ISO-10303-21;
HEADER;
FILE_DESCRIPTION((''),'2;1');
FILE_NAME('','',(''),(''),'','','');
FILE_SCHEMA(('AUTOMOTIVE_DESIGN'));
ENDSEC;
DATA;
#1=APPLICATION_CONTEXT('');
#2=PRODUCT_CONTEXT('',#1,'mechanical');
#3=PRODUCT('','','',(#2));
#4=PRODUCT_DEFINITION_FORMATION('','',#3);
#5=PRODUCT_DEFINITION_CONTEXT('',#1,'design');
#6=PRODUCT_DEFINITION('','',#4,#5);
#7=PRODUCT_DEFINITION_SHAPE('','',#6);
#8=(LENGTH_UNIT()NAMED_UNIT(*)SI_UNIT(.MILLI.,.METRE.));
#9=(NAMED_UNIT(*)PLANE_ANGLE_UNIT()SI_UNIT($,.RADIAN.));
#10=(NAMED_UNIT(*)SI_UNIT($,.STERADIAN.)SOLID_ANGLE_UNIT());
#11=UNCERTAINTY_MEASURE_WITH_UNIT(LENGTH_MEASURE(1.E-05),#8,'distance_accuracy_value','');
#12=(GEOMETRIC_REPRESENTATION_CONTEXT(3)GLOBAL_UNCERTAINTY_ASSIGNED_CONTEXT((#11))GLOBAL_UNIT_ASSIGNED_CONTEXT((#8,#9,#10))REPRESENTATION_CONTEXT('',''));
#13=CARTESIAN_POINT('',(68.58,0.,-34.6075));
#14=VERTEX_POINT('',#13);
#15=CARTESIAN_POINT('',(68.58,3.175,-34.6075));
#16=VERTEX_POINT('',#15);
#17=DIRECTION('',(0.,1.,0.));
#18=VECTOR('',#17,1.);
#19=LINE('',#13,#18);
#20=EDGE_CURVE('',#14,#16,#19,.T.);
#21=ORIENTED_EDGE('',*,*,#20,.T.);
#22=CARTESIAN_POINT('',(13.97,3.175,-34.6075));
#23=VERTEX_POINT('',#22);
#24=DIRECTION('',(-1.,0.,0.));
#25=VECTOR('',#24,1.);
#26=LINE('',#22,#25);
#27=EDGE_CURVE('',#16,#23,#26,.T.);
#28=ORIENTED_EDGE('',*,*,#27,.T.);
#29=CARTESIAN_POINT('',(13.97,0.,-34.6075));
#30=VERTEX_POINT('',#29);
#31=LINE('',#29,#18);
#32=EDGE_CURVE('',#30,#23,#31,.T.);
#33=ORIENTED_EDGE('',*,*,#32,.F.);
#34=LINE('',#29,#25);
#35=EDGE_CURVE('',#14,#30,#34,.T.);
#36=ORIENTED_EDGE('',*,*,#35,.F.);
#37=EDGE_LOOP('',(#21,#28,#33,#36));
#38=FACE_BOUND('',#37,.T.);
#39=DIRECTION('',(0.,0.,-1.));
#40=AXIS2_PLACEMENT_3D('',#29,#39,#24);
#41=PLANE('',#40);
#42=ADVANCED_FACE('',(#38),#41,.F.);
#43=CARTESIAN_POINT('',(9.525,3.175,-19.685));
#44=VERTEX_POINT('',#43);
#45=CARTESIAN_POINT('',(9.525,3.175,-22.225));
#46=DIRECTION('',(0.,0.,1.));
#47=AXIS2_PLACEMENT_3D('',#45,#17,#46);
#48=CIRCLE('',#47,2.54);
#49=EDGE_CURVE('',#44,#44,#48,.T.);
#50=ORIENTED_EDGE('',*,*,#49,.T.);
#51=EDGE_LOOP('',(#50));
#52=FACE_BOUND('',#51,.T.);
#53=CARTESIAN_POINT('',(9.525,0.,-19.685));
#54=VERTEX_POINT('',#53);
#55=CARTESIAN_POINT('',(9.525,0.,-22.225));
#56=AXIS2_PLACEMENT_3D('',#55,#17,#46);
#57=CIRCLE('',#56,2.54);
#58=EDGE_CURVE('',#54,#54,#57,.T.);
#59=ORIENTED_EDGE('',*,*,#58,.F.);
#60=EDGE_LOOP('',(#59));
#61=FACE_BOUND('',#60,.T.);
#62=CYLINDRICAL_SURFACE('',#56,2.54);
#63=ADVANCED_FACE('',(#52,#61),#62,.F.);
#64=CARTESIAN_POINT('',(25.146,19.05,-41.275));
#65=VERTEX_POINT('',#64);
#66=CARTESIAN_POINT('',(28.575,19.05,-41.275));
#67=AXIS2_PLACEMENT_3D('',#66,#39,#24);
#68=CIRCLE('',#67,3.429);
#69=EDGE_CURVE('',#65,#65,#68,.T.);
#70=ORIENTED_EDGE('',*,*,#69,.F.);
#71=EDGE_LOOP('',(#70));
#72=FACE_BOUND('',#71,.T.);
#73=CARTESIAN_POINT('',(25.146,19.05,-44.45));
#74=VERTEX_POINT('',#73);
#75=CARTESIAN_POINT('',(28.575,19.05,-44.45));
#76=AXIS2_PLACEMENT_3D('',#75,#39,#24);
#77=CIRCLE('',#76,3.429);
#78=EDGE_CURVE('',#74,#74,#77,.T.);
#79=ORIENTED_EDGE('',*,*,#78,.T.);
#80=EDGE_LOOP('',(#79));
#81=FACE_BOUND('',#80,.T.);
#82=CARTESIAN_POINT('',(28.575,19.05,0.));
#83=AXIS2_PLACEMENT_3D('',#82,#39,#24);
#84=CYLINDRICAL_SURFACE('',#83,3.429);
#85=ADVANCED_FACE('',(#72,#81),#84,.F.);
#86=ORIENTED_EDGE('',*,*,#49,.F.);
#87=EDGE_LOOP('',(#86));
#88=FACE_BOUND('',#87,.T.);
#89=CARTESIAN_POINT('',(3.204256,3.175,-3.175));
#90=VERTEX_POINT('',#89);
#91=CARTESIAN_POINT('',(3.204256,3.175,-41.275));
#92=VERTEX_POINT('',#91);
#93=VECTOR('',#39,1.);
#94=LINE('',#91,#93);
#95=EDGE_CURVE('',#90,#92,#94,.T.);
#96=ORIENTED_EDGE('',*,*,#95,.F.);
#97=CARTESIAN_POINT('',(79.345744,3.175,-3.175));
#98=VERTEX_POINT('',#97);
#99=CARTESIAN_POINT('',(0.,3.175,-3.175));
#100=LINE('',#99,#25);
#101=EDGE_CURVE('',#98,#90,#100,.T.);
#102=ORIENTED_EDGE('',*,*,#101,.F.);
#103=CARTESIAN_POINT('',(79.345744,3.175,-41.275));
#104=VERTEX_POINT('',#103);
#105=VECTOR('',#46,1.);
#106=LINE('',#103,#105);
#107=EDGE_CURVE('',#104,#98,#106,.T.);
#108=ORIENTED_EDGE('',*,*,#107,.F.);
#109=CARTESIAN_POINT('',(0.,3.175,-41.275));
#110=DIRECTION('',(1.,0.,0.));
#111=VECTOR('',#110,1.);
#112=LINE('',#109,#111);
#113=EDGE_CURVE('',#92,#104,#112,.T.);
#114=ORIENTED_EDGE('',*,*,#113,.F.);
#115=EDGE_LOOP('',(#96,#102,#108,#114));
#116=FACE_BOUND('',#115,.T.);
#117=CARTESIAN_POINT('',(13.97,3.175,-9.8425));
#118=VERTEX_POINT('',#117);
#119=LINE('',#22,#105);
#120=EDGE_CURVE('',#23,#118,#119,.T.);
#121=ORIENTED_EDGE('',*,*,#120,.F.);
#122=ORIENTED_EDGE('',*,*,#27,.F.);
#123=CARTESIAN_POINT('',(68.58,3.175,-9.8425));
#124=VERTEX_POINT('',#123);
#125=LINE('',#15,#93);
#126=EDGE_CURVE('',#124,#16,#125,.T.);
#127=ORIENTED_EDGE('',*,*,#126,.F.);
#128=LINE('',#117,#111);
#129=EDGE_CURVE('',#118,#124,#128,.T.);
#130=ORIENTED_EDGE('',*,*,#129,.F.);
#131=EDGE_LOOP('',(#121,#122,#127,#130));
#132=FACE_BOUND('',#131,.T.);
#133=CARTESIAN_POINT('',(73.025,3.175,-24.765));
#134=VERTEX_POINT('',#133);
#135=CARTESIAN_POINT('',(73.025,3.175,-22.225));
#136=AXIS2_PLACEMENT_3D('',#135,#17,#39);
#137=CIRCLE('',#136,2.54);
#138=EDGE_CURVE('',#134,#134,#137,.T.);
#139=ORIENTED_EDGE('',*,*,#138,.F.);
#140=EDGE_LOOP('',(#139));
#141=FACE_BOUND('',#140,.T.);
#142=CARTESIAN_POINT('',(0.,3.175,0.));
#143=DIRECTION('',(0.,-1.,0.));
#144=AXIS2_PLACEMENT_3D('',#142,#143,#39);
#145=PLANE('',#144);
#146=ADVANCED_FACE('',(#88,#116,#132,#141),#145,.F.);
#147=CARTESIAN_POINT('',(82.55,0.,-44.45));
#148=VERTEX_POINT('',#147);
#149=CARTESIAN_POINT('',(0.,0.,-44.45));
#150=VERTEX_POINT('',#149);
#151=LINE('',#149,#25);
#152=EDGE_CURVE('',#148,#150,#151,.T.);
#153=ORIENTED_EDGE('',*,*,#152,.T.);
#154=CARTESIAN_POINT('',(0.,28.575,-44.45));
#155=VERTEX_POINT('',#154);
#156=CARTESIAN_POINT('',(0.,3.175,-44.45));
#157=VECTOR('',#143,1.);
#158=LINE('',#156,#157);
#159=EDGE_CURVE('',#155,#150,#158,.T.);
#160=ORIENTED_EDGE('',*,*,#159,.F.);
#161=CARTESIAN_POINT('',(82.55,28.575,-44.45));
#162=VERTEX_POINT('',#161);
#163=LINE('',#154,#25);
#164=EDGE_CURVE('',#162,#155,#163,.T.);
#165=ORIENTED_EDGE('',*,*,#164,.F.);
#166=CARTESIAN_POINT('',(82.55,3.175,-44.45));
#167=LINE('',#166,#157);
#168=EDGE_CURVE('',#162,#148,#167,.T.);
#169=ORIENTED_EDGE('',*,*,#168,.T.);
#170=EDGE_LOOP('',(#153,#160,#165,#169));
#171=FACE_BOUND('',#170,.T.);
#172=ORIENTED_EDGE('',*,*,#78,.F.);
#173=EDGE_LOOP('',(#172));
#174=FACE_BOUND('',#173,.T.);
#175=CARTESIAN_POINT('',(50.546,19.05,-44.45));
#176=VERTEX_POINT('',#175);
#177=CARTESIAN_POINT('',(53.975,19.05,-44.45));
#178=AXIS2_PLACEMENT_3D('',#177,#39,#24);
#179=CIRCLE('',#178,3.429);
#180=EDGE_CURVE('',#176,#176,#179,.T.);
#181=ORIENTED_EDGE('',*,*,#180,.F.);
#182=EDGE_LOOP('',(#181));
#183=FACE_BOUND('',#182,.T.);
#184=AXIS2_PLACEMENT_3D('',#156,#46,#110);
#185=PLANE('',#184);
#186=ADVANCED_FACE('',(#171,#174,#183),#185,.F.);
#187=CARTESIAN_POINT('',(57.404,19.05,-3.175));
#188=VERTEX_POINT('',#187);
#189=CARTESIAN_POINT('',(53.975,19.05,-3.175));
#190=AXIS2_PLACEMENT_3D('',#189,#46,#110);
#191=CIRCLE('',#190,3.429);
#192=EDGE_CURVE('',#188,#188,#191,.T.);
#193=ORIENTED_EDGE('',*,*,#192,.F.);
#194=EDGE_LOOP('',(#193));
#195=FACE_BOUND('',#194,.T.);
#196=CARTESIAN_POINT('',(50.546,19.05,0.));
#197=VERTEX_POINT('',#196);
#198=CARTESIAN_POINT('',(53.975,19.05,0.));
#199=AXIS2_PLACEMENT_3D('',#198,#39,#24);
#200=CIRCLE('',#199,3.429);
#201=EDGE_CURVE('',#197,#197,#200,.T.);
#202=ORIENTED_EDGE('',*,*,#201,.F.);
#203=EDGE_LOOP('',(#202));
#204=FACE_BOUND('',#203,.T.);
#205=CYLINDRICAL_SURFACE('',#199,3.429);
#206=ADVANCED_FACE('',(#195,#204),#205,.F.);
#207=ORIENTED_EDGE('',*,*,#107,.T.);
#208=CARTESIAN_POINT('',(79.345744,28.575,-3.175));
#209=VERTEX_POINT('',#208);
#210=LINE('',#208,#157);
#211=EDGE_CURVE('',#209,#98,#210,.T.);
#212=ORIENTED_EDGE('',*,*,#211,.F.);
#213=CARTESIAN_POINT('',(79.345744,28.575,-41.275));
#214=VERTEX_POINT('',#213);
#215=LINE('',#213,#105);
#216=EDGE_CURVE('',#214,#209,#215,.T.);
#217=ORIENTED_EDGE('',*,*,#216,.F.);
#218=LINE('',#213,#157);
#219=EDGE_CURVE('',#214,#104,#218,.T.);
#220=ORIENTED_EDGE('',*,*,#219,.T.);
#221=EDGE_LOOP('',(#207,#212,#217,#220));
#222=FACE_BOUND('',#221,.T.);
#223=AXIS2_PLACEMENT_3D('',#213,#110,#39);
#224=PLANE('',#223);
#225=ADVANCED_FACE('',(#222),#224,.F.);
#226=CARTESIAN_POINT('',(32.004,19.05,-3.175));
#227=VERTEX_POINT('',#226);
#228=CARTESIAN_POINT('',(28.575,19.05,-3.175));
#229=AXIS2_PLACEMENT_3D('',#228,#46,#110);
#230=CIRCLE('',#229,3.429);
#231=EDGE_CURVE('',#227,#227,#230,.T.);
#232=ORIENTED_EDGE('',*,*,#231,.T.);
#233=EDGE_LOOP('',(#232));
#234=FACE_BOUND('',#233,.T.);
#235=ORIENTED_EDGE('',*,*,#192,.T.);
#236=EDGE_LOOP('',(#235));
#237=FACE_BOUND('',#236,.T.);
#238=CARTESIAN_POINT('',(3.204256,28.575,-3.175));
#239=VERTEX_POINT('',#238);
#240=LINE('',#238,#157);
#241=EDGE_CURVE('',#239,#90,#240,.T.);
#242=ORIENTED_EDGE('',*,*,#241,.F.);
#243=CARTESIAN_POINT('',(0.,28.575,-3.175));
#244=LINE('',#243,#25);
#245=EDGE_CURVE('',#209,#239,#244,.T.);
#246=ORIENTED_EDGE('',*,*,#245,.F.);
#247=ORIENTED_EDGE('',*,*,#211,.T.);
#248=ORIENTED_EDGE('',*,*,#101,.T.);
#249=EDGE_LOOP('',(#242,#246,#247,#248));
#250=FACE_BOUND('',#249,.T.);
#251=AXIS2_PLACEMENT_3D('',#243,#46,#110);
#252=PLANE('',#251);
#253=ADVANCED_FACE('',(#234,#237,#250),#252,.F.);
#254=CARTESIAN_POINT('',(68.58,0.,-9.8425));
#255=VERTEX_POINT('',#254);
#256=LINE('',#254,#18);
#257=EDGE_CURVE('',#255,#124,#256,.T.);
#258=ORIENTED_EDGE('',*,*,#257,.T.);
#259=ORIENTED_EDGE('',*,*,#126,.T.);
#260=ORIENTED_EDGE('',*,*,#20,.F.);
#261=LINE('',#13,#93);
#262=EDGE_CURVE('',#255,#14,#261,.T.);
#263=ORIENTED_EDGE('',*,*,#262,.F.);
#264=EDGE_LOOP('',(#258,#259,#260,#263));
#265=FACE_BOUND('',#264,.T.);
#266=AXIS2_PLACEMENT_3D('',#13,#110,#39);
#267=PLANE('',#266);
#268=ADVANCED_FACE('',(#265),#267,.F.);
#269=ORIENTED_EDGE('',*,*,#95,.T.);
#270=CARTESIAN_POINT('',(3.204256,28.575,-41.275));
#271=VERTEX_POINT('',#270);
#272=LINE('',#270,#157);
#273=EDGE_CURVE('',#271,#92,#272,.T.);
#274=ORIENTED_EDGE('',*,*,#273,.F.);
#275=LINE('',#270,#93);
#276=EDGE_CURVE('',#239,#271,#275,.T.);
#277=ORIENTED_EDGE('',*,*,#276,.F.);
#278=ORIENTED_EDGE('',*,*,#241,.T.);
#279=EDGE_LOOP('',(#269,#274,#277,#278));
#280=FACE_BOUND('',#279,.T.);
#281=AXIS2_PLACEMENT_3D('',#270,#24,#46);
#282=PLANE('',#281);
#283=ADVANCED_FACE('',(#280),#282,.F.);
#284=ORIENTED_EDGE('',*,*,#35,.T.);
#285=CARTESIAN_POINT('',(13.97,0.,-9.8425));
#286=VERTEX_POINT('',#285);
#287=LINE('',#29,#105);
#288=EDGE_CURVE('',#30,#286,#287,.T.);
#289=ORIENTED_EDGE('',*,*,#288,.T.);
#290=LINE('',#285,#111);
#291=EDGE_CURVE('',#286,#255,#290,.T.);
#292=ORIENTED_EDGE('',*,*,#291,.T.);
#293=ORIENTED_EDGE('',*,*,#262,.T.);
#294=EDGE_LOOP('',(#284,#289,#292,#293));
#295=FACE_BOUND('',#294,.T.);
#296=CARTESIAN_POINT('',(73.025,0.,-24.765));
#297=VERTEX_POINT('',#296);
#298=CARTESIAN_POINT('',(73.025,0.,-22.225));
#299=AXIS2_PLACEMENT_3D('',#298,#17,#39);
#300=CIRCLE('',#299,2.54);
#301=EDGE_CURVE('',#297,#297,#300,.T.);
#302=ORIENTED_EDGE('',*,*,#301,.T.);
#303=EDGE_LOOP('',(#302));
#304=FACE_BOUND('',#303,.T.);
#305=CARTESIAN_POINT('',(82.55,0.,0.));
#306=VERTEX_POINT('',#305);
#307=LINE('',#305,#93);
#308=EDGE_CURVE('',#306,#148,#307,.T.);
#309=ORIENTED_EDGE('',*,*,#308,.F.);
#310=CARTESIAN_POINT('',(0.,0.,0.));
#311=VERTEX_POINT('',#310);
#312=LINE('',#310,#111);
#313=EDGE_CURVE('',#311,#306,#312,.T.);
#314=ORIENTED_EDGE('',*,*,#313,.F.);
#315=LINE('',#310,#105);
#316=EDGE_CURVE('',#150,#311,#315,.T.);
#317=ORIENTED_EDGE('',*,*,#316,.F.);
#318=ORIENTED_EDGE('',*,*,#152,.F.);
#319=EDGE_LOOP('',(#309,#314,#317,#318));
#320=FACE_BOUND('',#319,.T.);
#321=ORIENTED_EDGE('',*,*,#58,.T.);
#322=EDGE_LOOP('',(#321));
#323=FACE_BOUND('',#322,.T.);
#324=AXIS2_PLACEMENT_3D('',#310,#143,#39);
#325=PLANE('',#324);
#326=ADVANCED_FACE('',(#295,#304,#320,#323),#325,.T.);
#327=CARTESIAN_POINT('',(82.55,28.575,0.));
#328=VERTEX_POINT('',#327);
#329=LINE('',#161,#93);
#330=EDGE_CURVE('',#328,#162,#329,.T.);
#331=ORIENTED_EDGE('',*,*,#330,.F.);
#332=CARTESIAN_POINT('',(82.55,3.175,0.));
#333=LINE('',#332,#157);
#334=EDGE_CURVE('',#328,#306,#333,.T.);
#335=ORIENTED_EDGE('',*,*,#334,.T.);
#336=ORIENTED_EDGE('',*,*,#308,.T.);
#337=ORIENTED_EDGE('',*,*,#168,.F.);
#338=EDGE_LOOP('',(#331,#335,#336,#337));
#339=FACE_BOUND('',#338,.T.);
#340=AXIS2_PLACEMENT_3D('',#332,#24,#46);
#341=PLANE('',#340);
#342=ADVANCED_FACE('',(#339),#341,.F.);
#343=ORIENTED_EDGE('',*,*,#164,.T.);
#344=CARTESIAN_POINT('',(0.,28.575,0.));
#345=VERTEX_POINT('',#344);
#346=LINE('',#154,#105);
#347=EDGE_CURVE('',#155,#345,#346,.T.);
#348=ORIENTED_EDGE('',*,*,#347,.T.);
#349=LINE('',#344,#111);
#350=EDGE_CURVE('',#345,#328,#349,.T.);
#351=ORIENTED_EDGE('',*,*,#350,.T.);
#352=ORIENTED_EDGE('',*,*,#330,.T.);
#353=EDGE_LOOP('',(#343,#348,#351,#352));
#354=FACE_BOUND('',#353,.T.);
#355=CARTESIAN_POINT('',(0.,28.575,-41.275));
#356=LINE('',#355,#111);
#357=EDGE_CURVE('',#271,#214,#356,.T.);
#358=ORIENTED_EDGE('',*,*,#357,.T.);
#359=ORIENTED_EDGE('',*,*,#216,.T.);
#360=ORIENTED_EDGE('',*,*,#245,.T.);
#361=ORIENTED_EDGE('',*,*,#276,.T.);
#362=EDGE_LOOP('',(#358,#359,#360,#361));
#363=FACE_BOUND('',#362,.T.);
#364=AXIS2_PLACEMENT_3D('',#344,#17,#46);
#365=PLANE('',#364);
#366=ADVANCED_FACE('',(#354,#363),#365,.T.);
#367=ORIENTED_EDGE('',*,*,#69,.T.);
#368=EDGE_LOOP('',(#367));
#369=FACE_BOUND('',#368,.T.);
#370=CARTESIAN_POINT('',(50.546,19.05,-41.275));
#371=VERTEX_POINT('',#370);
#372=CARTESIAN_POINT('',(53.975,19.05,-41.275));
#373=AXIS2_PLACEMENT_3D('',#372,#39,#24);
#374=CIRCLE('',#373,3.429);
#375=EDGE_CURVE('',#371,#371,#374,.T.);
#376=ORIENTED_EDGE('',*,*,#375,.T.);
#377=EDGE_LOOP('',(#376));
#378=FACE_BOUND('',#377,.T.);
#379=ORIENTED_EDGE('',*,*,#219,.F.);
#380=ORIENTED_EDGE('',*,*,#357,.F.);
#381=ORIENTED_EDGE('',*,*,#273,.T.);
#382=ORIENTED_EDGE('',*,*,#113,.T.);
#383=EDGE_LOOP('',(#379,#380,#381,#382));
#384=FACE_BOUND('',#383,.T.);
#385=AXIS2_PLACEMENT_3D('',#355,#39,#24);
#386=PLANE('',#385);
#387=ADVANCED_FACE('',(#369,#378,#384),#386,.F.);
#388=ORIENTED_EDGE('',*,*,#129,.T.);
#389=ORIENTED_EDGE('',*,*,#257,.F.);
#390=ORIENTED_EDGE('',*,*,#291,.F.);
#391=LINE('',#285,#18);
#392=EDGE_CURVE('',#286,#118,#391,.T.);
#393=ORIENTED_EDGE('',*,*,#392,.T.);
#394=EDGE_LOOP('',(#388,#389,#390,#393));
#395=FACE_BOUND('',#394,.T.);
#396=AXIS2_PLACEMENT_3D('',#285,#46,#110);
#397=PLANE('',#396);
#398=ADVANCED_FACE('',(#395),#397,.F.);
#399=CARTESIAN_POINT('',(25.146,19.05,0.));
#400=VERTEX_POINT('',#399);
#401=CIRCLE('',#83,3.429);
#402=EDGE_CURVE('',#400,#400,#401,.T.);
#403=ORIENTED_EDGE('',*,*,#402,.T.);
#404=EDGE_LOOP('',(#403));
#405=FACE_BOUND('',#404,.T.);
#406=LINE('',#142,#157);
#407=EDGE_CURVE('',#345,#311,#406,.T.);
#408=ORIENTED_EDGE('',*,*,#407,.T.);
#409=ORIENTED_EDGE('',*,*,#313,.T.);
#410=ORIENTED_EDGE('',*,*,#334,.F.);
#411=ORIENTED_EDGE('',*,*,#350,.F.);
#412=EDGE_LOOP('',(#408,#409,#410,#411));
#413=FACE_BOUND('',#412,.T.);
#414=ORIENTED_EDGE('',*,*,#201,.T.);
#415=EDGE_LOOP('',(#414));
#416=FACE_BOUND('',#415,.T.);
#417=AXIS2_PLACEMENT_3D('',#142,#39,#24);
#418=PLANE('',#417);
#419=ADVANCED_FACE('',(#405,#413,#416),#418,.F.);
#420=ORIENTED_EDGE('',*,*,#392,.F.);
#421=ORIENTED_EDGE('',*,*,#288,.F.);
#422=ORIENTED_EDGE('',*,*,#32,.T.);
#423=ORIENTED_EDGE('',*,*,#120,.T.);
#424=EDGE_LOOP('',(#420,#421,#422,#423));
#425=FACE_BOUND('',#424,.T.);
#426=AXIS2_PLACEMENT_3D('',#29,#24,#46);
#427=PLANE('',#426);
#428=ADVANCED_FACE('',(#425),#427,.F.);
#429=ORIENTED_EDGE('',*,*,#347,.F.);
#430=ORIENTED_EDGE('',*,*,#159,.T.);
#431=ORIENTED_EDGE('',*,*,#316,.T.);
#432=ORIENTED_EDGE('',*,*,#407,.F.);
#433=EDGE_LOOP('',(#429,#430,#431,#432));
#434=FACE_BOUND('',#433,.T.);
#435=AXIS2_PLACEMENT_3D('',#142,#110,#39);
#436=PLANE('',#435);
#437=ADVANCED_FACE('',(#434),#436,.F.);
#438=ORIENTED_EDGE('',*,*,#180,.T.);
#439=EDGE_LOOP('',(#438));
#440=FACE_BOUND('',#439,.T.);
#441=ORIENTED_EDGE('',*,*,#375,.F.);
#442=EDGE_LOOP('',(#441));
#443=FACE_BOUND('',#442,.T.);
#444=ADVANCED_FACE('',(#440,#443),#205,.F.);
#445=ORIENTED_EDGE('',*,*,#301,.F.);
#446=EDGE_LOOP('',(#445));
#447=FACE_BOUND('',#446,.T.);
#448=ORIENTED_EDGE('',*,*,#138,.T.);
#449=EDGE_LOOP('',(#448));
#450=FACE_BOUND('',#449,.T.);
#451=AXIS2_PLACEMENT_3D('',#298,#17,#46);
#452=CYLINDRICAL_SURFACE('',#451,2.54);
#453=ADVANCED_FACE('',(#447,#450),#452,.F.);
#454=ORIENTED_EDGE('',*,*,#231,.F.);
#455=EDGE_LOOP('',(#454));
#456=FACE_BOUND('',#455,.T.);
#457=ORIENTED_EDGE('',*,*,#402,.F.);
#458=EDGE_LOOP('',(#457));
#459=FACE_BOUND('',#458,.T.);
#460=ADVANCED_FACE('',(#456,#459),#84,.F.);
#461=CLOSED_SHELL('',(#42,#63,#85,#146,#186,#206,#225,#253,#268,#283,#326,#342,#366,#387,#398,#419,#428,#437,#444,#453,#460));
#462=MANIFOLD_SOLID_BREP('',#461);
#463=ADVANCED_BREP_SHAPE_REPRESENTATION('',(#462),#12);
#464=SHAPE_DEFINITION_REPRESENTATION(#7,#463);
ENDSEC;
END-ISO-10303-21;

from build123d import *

# Parameters (mm, degrees)
SKETCH1_W           = 82.55
SKETCH1_H           = 44.45
BOSS_EXTRUDE1_DEPTH = 3.175
SKETCH2_R           = 2.54
CUT_EXTRUDE1_DEPTH  = 3.175
SKETCH4_W           = 54.61
SKETCH4_H           = 24.765
CUT_EXTRUDE2_DEPTH  = 3.175
SKETCH5_W           = 82.55
SKETCH5_H           = 3.175
BOSS_EXTRUDE2_DEPTH = 25.4
SKETCH7_W           = 3.204255847
SKETCH7_H           = 38.1
BOSS_EXTRUDE3_DEPTH = 25.4
SKETCH6_R           = 3.429
CUT_EXTRUDE3_DEPTH  = 99.014466407


with BuildPart() as part:
    # Sketch1 → Boss-Extrude1 (new body)
    with BuildSketch(Plane(origin=(0, 0, 0), x_dir=(1, 0, 0), z_dir=(0, 1, 0))):
        with Locations((41.275, 22.225)):
            Rectangle(SKETCH1_W, SKETCH1_H)
    extrude(amount=BOSS_EXTRUDE1_DEPTH)

    # Sketch2 → Cut-Extrude1 (cut)
    with BuildSketch(Plane(origin=(0, 3.175, 0), x_dir=(1, 0, 0), z_dir=(0, 1, 0))):
        with Locations(Location((9.525, 22.225, 0), (0, 0, 270))):
            Circle(SKETCH2_R)
        with Locations(Location((73.025, 22.225, 0), (0, 0, 90))):
            Circle(SKETCH2_R)
    extrude(amount=-CUT_EXTRUDE1_DEPTH, mode=Mode.SUBTRACT)

    # Sketch4 → Cut-Extrude2 (cut)
    with BuildSketch(Plane(origin=(0, 3.175, 0), x_dir=(1, 0, 0), z_dir=(0, 1, 0))):
        with Locations((41.275, 22.225)):
            Rectangle(SKETCH4_W, SKETCH4_H)
    extrude(amount=-CUT_EXTRUDE2_DEPTH, mode=Mode.SUBTRACT)

    # Sketch5 → Boss-Extrude2 (add)
    with BuildSketch(Plane(origin=(0, 3.175, 0), x_dir=(1, 0, 0), z_dir=(0, 1, 0))):
        with Locations((41.275, 42.8625)):
            Rectangle(SKETCH5_W, SKETCH5_H)
        with Locations((41.275, 1.5875)):
            Rectangle(SKETCH5_W, SKETCH5_H)
    extrude(amount=BOSS_EXTRUDE2_DEPTH)

    # Sketch7 → Boss-Extrude3 (add)
    with BuildSketch(Plane(origin=(0, 3.175, 0), x_dir=(1, 0, 0), z_dir=(0, 1, 0))):
        with Locations((1.602127924, 22.225)):
            Rectangle(SKETCH7_W, SKETCH7_H)
        with Locations((80.947872077, 22.225)):
            Rectangle(SKETCH7_W, SKETCH7_H)
    extrude(amount=BOSS_EXTRUDE3_DEPTH)

    # Sketch6 → Cut-Extrude3 (cut, through all)
    with BuildSketch(Plane(origin=(0, 0, -44.45), x_dir=(-1, 0, 0), z_dir=(0, 0, -1))):
        with Locations((-28.575, 19.05)):
            Circle(SKETCH6_R)
        with Locations((-53.975, 19.05)):
            Circle(SKETCH6_R)
    extrude(amount=-CUT_EXTRUDE3_DEPTH, mode=Mode.SUBTRACT)


solid = part.part
